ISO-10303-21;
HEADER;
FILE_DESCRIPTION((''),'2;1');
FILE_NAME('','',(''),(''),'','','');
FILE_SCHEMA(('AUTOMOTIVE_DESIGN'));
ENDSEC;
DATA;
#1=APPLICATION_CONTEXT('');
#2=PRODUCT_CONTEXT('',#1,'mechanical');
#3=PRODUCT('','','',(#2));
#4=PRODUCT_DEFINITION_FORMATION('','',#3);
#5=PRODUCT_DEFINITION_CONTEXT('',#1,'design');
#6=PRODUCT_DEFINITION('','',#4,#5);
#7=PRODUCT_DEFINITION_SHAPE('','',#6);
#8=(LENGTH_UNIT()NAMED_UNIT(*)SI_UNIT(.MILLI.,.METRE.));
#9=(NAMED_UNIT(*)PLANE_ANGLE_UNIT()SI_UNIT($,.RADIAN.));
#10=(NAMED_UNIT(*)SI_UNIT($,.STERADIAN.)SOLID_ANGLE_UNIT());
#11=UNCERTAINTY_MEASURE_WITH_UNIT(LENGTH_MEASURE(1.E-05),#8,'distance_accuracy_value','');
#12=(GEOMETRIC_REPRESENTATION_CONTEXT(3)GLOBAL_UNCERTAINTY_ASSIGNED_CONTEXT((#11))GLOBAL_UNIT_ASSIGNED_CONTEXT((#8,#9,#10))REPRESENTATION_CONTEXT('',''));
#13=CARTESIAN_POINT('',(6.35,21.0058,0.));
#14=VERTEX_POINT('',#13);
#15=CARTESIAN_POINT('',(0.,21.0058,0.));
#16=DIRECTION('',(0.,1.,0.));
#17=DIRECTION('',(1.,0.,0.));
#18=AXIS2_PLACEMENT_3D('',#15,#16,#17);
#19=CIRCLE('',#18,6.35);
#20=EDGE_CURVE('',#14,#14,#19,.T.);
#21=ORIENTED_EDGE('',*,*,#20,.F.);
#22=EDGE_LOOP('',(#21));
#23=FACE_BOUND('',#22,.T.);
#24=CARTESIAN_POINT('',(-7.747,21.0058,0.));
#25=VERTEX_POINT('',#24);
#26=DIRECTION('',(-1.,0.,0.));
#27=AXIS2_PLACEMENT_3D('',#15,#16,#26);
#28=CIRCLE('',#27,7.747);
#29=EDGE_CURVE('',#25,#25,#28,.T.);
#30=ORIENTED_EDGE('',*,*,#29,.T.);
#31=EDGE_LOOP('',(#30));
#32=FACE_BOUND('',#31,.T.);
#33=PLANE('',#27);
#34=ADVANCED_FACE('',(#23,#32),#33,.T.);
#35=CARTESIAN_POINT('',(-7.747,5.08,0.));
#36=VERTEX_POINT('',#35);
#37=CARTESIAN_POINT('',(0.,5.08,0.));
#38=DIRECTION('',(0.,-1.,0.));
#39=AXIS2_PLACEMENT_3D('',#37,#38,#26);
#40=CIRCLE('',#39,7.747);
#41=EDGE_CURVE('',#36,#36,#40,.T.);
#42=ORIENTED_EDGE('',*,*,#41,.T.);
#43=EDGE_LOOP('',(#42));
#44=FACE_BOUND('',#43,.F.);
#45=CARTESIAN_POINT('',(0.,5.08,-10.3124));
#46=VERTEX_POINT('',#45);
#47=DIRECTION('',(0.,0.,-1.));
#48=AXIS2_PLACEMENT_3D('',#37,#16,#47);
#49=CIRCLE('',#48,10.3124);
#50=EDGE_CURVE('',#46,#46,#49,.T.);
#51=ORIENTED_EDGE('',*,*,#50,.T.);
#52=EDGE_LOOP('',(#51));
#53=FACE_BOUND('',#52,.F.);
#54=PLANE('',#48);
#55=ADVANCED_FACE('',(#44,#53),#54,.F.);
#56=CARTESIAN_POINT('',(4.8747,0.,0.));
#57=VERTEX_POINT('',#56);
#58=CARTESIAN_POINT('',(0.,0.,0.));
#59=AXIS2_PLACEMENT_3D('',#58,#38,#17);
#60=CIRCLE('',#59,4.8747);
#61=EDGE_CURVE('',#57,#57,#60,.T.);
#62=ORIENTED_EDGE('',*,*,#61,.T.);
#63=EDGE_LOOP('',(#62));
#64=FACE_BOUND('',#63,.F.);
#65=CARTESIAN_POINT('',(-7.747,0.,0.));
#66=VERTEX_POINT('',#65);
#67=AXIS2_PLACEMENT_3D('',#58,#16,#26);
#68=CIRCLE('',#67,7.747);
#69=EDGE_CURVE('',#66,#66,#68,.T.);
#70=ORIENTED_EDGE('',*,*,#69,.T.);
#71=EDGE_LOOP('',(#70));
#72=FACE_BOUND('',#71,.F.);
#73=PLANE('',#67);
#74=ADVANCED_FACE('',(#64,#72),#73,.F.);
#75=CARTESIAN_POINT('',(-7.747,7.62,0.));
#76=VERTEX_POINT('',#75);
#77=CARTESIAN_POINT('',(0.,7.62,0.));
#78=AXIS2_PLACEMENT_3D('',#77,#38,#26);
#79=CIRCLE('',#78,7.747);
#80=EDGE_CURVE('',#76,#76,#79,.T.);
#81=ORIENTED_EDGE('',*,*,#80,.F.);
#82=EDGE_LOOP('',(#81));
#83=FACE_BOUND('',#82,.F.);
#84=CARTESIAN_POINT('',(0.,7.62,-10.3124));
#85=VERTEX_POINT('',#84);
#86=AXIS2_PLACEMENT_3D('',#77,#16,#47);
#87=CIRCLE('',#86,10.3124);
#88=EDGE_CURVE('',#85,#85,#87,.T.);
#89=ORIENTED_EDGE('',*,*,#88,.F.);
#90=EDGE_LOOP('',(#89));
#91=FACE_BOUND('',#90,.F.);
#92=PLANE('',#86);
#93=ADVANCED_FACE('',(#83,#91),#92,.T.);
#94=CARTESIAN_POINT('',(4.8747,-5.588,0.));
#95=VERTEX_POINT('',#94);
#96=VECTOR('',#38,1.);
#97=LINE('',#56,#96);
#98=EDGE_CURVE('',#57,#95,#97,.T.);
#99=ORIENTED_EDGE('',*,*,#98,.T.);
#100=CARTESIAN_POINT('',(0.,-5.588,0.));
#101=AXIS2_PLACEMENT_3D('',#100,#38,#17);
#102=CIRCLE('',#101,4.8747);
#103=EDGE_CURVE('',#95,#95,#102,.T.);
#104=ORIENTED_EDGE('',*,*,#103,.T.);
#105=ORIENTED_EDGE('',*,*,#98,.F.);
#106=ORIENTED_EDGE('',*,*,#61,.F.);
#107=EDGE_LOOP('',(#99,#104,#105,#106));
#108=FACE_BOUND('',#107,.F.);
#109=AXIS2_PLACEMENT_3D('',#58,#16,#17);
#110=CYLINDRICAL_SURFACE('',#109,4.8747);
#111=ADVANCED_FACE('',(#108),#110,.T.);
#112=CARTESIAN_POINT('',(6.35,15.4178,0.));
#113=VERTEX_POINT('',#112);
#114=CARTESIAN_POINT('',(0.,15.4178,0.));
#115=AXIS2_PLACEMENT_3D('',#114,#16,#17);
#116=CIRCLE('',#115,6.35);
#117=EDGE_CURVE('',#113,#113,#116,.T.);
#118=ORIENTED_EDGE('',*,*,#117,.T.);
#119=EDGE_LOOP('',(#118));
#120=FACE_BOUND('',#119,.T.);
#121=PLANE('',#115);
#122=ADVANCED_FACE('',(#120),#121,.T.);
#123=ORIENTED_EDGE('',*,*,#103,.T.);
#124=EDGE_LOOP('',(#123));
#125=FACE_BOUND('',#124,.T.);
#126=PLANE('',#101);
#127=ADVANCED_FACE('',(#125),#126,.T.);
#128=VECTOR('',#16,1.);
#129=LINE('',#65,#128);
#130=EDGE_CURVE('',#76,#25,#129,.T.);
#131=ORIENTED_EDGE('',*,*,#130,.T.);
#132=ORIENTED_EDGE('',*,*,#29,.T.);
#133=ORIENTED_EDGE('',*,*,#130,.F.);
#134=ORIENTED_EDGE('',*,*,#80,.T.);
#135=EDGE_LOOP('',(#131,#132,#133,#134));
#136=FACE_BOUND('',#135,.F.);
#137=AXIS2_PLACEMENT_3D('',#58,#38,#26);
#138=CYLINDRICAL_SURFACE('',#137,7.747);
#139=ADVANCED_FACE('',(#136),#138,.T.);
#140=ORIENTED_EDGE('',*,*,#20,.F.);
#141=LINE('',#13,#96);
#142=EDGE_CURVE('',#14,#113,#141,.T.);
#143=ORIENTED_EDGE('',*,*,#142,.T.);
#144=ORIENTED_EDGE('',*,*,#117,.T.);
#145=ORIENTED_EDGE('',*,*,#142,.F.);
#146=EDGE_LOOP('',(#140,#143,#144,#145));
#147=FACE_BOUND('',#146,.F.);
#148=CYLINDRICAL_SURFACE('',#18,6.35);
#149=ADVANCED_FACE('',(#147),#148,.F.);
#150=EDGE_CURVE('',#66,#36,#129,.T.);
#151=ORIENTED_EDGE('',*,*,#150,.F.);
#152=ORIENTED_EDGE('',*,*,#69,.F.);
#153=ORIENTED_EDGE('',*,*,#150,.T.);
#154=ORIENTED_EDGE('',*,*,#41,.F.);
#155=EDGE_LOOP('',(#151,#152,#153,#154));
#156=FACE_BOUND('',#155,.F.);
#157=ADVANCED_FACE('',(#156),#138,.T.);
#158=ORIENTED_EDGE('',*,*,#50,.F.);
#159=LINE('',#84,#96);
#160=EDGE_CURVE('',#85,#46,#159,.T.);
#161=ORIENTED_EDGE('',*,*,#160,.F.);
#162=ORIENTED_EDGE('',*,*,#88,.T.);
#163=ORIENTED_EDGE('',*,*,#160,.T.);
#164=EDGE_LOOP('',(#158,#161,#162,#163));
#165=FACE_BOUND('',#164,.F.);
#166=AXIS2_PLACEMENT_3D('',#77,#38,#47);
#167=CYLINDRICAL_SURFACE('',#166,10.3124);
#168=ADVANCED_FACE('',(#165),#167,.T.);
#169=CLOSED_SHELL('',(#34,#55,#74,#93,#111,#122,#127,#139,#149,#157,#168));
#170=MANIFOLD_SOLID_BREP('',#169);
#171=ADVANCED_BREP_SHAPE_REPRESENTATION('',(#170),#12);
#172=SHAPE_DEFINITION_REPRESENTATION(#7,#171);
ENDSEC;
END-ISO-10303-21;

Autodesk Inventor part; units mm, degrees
ref_plane "YZ Plane" through (0, 0, 0) normal (1, 0, 0) x (0, 1, 0)
ref_plane "XZ Plane" through (0, 0, 0) normal (0, 1, 0) x (-1, 0, 0)
ref_plane "XY Plane" through (0, 0, 0) normal (0, 0, 1) x (1, 0, 0)
sketch "Sketch1" plane through (0, 0, 0) normal (0, 1, 0) x (-1, 0, 0)
  circle A0 centre (0, 0) radius 7.747
  dimension "d0" = 15.494
extrude "Extrusion1" add sketch "Sketch1" along normal blind 21.0058
sketch "Sketch2" plane through (0, 0, 0) normal (1, 0, 0) x (0, 1, 0)
  line L0 (5.08, 0) -> (7.62, 0)
  line L1 (7.62, 0) -> (7.62, -10.3124)
  line L2 (7.62, -10.3124) -> (5.08, -10.3124)
  line L3 (5.08, -10.3124) -> (5.08, 0)
  line L4 (0, 7.747) -> (0, -7.747) projected
  point P0 (0, 0)
  dimension "d3" = 10.3124
  dimension "d4" = 5.08
  dimension "d5" = 2.54
revolve "Revolution1" add sketch "Sketch2" angle 360 about axis through (0, 5.08, 0) along (0, 1, 0)
sketch "Sketch3" plane through (0, 0, 0) normal (0, -1, 0) x (1, 0, 0)
  circle A0 centre (0, 0) radius 7.747 projected
  circle A1 centre (0, 0) radius 4.8747
extrude "Extrusion2" add sketch "Sketch3" along normal blind 5.588 contours A1
sketch "Sketch4" plane through (0, 21.0058, 0) normal (0, 1, 0) x (1, 0, 0)
  circle A0 centre (0, 0) radius 7.747 projected
  circle A1 centre (0, 0) radius 6.35
  dimension "d9" = 12.7
extrude "Extrusion3" cut sketch "Sketch4" against normal blind 5.588 contours A1
properties part number "BiglConnector"
